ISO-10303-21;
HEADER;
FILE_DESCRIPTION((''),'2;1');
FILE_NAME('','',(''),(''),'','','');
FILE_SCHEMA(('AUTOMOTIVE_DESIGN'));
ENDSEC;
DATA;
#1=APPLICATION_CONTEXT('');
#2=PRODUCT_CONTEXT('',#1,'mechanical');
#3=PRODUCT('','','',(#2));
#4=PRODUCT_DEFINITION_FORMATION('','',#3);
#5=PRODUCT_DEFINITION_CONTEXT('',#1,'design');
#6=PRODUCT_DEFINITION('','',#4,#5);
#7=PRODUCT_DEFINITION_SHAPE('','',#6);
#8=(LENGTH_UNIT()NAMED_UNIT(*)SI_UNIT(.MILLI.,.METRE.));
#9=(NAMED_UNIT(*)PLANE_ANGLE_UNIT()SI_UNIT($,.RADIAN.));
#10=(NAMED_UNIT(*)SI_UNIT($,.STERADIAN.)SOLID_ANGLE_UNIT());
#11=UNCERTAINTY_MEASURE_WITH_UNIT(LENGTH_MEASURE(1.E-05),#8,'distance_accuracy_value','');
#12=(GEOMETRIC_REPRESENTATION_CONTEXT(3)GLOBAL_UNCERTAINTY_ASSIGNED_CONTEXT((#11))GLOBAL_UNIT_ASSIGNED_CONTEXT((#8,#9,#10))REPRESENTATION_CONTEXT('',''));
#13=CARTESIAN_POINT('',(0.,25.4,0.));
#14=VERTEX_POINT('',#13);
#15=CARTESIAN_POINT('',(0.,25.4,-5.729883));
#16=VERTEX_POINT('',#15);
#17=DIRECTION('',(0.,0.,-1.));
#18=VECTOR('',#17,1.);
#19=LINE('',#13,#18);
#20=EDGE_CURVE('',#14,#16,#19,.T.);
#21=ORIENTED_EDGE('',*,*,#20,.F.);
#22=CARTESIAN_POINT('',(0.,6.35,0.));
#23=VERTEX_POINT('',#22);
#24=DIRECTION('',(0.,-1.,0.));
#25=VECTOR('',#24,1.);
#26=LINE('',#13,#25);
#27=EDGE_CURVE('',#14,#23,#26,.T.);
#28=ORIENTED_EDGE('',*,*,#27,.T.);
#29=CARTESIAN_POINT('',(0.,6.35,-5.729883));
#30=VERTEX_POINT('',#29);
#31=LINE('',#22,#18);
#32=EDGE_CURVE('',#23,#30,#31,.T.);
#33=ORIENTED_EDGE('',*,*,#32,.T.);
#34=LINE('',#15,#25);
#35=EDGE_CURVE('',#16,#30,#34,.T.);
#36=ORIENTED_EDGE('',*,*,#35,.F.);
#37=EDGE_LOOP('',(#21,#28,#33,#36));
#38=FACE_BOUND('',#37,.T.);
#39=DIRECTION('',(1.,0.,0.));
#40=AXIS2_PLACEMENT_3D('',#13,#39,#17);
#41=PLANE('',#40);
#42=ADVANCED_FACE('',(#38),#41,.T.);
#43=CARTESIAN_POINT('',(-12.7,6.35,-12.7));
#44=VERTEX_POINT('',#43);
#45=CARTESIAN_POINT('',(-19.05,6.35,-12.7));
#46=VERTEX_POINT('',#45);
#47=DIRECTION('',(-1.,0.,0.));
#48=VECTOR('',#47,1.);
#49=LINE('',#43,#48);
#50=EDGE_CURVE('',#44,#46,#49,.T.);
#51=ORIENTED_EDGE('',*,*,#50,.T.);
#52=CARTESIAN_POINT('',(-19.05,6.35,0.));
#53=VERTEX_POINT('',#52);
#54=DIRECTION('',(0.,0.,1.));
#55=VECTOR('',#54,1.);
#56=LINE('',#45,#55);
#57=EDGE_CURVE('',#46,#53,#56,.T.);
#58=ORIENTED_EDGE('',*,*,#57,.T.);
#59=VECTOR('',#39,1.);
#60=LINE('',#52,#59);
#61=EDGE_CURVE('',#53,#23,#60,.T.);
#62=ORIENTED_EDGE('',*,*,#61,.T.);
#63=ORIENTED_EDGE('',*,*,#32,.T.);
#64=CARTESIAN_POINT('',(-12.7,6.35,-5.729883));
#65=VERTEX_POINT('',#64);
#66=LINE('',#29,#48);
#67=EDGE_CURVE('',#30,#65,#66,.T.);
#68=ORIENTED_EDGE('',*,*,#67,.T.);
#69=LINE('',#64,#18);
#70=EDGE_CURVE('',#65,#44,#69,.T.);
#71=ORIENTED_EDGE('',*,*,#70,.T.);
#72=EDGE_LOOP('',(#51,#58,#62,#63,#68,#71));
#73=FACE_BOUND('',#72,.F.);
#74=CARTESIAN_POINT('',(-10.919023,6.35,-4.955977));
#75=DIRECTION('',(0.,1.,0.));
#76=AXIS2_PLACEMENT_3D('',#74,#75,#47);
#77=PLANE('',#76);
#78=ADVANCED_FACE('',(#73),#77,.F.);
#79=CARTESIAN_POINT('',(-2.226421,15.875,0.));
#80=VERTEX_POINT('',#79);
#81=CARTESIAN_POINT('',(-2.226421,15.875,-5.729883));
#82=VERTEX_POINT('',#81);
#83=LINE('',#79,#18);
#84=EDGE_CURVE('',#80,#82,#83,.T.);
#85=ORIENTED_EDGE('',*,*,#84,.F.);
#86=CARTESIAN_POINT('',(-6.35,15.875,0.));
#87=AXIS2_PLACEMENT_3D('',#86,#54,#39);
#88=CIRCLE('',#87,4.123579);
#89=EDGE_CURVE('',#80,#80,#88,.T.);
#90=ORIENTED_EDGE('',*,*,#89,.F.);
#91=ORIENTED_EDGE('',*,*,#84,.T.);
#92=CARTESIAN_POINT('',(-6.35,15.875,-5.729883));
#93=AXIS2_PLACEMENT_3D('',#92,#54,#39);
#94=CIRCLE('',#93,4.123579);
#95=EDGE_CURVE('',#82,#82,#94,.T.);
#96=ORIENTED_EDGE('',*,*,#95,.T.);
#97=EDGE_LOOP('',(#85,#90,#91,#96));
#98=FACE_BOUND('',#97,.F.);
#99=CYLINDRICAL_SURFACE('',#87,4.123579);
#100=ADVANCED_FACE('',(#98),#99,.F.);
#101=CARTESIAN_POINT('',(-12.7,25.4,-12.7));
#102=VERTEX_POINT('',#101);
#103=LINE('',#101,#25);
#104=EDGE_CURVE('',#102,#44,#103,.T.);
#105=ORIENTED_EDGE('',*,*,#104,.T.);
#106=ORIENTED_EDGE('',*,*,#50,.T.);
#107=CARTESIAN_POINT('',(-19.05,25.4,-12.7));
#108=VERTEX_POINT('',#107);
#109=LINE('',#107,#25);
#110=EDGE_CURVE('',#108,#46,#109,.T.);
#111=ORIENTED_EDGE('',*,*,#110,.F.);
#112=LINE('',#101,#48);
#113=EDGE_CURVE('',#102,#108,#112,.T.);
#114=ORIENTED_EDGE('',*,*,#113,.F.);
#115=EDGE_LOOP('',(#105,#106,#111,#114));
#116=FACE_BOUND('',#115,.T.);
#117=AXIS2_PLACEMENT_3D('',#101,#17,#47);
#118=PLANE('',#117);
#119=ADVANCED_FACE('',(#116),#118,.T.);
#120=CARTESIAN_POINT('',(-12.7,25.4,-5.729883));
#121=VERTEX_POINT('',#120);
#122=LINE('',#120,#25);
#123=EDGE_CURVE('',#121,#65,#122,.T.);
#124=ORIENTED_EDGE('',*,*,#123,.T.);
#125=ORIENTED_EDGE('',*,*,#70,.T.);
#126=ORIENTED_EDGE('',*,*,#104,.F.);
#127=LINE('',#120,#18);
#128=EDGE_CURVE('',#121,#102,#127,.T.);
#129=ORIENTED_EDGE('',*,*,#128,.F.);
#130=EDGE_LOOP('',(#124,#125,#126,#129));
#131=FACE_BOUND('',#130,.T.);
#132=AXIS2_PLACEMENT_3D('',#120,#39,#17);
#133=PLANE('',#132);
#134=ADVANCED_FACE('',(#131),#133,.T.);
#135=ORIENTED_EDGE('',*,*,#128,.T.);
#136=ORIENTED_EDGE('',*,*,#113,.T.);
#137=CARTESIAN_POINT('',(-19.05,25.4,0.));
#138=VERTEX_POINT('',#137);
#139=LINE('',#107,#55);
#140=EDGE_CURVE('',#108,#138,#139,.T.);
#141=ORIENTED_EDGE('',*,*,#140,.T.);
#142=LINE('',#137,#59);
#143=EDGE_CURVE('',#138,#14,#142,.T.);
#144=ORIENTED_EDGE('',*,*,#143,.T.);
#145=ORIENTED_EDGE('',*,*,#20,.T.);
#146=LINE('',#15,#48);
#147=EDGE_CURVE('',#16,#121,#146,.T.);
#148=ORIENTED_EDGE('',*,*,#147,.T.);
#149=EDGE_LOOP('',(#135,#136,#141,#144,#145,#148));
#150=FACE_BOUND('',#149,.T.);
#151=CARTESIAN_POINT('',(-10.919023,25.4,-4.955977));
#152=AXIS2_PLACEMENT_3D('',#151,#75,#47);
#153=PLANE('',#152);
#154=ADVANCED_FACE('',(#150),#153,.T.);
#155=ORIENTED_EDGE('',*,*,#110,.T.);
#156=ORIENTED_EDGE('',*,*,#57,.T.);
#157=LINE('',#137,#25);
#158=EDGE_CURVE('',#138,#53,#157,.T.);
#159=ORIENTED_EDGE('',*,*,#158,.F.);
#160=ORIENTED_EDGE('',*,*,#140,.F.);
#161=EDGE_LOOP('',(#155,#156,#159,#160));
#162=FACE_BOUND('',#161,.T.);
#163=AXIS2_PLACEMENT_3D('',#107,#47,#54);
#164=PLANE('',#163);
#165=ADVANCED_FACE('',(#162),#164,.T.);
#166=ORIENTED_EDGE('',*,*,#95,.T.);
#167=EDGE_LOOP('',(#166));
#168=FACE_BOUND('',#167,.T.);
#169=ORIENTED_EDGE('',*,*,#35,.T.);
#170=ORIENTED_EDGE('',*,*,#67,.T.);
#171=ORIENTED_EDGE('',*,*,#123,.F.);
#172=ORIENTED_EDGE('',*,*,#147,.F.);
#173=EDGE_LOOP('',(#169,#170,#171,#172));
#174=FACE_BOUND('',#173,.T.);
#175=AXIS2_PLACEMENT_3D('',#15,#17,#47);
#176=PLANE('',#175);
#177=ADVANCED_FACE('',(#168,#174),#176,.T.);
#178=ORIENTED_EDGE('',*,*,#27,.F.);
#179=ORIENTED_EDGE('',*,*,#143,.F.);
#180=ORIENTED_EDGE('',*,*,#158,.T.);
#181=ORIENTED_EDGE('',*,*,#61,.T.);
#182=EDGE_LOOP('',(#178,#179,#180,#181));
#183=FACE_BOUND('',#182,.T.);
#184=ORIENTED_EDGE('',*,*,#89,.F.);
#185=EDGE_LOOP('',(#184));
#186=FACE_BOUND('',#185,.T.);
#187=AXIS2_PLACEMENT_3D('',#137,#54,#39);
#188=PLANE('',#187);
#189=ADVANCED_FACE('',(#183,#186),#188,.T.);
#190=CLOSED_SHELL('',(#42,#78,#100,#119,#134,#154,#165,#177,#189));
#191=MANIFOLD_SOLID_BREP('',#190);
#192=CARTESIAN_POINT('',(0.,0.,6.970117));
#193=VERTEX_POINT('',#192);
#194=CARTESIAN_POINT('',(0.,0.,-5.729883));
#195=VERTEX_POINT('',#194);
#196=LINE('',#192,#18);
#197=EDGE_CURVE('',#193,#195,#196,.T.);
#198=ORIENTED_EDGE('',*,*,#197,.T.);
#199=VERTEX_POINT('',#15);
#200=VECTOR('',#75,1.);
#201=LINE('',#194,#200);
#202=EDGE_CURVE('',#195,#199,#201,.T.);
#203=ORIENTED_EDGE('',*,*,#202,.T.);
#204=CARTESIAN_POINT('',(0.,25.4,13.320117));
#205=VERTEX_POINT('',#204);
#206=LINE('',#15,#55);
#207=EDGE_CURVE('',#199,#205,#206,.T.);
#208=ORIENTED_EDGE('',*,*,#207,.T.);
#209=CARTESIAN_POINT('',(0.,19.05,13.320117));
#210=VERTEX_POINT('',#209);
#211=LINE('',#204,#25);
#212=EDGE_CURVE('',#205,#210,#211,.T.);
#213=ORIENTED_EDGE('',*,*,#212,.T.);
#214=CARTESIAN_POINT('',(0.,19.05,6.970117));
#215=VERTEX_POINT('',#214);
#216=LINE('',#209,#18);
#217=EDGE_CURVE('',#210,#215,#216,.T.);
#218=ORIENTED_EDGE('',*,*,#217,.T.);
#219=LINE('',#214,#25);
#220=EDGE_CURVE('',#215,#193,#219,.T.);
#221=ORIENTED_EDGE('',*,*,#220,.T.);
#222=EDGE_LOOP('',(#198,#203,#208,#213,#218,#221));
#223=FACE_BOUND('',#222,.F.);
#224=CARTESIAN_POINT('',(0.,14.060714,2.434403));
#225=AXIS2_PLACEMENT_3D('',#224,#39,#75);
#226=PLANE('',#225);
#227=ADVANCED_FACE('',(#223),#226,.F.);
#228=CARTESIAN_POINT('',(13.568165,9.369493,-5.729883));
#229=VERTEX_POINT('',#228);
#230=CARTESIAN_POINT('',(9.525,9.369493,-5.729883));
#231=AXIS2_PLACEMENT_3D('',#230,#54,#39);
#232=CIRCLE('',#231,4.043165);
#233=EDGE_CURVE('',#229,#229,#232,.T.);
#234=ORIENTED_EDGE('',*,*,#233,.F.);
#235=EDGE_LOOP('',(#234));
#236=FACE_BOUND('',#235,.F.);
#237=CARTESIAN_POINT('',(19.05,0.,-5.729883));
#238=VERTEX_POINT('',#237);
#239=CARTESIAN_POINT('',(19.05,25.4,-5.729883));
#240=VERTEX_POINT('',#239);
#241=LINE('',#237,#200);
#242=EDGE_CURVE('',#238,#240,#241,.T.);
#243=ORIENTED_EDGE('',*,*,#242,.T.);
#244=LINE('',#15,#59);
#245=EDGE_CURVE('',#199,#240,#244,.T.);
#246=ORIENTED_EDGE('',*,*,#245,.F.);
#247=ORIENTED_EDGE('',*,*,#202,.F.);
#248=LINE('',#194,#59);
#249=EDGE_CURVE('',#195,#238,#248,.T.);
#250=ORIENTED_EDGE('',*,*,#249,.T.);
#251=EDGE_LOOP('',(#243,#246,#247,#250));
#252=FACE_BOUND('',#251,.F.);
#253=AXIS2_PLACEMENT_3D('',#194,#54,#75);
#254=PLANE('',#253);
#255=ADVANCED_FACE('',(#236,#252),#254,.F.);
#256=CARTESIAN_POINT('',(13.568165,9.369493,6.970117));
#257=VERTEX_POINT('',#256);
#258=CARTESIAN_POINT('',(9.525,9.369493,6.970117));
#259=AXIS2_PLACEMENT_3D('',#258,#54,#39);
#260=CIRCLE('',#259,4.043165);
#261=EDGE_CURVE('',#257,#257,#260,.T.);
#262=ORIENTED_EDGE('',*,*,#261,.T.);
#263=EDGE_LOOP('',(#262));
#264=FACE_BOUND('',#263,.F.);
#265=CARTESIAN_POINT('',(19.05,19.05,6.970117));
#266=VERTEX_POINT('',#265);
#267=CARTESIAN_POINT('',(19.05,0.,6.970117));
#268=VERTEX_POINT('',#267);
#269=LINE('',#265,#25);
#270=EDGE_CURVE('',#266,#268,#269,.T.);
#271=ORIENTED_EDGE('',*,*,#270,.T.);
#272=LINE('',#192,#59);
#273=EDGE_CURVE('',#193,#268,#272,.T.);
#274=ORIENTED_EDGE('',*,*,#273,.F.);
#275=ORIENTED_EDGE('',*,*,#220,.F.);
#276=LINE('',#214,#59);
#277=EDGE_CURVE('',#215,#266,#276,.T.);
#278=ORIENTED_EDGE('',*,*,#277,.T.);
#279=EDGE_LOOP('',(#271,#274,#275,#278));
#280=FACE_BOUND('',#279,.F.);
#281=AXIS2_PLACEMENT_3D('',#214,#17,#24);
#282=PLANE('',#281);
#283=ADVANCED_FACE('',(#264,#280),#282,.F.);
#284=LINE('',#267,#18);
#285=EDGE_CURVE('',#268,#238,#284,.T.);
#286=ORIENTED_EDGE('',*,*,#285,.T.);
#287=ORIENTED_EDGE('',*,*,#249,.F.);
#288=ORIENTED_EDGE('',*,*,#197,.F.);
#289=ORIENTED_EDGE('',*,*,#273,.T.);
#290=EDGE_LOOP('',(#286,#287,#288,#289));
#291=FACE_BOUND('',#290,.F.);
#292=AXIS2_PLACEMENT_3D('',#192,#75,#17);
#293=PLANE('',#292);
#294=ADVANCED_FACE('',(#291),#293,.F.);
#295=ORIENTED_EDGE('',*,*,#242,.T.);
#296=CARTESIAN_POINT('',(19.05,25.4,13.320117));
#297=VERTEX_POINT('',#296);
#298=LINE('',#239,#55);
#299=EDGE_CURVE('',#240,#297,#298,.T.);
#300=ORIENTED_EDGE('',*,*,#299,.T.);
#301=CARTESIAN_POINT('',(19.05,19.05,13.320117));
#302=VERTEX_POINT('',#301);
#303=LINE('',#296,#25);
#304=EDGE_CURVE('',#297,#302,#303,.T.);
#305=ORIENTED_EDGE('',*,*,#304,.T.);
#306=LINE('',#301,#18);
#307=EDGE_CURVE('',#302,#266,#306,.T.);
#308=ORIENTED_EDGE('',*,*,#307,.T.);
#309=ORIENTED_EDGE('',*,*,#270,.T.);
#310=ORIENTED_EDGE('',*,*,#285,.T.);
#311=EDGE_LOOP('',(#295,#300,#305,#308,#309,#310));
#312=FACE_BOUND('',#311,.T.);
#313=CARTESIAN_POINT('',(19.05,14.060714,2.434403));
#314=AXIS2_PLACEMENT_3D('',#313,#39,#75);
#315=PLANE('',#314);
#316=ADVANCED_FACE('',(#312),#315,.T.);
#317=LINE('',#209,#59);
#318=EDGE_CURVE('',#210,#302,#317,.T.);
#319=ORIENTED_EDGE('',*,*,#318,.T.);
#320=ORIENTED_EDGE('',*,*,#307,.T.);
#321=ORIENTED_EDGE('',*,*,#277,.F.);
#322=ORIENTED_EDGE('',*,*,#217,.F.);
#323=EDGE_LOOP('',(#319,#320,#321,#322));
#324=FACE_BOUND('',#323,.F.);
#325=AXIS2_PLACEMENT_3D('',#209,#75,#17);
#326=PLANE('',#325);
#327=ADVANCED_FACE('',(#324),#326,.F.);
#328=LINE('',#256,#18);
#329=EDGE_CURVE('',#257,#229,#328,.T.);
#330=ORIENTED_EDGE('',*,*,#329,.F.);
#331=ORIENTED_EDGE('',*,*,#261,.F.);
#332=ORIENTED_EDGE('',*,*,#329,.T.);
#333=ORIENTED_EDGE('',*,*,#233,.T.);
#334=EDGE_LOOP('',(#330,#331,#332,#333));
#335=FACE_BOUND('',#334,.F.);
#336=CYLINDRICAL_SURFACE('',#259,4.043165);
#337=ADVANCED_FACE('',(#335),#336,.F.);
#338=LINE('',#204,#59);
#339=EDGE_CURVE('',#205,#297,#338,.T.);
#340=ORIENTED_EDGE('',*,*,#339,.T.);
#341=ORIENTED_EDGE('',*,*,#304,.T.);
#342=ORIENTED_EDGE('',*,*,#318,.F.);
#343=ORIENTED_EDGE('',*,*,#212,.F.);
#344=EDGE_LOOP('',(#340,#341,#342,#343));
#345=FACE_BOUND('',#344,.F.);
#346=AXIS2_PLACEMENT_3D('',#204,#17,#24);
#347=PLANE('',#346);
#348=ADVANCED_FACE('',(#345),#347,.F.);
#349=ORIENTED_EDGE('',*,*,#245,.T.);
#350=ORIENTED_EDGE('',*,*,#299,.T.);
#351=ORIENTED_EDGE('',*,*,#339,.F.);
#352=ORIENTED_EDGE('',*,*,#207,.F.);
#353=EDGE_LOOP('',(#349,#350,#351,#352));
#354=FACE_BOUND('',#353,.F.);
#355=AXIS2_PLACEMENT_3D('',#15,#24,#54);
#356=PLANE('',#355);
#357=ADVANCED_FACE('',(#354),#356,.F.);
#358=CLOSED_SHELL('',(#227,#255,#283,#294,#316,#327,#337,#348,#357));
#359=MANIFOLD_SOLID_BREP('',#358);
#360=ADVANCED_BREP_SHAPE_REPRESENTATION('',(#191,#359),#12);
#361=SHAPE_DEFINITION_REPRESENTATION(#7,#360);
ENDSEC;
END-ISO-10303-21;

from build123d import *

# Parameters (mm, degrees)
F1_DEPTH = 19.05
F3_DEPTH = 19.05
F4_R     = 4.043165
F5_DEPTH = 25.4
F6_R     = 4.123579
F7_DEPTH = 25.4


with BuildPart() as f1:
    # F0 (on Right) → F1 (new body)
    with BuildSketch(Plane.YZ):
        Polygon((19.05, 6.970117), (0, 6.970117), (0, -5.729883), (25.4, -5.729883), (25.4, 13.320117), (19.05, 13.320117), align=None)
    extrude(amount=F1_DEPTH)

    # F4 (on face) → F5 (cut)
    with BuildSketch(Plane.XY.offset(6.970117)):
        with Locations((9.525, 9.369493)):
            Circle(F4_R)
    extrude(amount=-F5_DEPTH, mode=Mode.SUBTRACT)


with BuildPart() as f3:
    # F2 (on face) → F3 (new body)
    with BuildSketch(Plane(origin=(0, 25.4, 0), x_dir=(-1, 0, 0), z_dir=(0, 1, 0))):
        Polygon((0, 0), (0, -5.729883), (12.7, -5.729883), (12.7, -12.7), (19.05, -12.7), (19.05, 0), align=None)
    extrude(amount=-F3_DEPTH)

    # F6 (on face) → F7 (cut)
    with BuildSketch(Plane.XY):
        with Locations((-6.35, 15.875)):
            Circle(F6_R)
    extrude(amount=-F7_DEPTH, mode=Mode.SUBTRACT)


solid = Compound([f1.part, f3.part])
